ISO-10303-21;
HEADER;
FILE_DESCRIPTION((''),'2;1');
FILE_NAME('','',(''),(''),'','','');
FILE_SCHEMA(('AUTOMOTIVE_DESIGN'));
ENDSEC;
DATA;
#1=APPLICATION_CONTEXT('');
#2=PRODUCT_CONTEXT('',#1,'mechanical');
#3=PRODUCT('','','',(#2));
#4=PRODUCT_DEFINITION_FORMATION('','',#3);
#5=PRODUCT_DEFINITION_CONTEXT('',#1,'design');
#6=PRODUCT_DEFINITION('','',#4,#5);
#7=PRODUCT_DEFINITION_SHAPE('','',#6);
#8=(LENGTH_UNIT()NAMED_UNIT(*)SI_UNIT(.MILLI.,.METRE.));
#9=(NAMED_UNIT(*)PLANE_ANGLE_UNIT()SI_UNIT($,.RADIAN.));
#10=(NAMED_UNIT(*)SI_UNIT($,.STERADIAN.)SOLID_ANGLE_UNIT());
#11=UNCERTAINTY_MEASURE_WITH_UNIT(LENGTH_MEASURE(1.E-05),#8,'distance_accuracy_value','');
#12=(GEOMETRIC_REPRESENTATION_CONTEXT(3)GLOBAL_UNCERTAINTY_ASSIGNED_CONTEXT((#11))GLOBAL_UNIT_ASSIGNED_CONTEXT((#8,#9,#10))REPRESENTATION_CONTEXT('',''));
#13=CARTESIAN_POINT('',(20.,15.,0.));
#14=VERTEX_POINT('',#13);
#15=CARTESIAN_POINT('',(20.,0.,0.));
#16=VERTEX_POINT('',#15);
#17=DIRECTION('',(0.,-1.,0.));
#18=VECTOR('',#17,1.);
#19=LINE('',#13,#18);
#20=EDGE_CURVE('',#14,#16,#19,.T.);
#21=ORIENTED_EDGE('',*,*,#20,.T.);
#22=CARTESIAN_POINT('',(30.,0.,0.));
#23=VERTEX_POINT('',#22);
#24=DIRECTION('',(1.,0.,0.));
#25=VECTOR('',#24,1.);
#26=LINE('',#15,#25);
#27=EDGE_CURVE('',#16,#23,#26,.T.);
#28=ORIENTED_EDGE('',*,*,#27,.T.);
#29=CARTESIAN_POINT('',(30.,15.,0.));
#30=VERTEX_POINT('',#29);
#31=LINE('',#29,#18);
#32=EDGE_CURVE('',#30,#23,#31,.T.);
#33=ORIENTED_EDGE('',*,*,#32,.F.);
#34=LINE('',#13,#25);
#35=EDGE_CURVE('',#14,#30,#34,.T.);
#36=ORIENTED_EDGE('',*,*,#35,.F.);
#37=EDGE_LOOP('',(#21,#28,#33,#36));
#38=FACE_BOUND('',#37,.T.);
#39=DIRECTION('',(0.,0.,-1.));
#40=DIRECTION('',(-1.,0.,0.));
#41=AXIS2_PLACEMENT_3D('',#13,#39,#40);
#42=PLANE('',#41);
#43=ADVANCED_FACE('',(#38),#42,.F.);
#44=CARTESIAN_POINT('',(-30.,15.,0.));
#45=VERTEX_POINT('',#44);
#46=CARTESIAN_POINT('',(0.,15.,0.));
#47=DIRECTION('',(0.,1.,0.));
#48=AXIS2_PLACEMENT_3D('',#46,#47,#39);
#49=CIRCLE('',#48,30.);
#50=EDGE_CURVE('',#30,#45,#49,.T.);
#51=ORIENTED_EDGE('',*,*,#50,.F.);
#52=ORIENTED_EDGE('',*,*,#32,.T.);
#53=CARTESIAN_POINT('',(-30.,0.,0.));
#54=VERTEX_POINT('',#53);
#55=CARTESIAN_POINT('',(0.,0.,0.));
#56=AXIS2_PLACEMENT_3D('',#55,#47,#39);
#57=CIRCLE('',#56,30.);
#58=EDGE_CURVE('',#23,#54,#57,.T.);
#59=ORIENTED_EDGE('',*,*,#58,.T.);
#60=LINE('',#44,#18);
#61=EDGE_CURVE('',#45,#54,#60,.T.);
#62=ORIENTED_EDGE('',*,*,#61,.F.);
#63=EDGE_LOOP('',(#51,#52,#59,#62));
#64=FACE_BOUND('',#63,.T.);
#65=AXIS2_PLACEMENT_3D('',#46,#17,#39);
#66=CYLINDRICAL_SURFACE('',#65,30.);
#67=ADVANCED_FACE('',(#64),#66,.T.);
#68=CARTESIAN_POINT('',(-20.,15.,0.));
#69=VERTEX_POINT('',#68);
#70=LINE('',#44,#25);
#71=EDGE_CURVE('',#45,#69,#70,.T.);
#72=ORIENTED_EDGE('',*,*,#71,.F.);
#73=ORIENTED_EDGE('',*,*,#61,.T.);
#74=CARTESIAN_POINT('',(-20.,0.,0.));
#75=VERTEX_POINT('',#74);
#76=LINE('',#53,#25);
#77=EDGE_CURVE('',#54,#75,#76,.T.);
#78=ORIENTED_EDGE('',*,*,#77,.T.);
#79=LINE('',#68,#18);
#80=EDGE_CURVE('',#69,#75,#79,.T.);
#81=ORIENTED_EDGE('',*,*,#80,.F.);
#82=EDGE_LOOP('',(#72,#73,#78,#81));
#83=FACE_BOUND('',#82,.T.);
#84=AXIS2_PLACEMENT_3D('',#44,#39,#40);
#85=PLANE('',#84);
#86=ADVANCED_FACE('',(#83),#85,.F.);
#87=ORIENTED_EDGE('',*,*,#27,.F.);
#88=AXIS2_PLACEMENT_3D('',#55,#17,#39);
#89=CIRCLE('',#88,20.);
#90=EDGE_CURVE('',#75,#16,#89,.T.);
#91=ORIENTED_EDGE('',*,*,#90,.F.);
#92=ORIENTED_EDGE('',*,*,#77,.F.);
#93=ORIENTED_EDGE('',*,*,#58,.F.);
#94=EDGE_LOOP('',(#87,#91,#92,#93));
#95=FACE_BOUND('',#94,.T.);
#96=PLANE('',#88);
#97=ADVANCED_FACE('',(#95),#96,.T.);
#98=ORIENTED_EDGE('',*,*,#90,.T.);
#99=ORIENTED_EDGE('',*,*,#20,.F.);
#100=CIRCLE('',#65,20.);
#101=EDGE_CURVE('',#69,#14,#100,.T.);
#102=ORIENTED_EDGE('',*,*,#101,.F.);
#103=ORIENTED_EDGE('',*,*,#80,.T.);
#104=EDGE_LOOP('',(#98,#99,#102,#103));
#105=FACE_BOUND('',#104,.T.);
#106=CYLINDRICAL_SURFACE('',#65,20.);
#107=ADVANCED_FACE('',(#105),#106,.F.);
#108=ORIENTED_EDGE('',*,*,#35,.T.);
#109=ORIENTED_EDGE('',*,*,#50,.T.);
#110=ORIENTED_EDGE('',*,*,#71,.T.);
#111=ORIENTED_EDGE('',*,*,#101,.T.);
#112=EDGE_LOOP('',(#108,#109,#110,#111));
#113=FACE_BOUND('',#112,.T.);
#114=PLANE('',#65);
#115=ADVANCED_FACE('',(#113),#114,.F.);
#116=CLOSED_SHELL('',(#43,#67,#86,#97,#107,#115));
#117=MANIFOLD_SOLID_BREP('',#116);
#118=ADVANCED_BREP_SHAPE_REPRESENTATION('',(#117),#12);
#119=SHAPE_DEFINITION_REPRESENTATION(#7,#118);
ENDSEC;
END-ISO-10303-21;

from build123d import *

# Parameters (mm, degrees)
BOSS_EXTRUDE1_DEPTH = 15


with BuildPart() as part:
    # Sketch1 → Boss-Extrude1 (new body)
    with BuildSketch(Plane(origin=(0, 0, 0), x_dir=(1, 0, 0), z_dir=(0, 1, 0))):
        with BuildLine():
            Line((-30, 0), (-20, 0))
            ThreePointArc((-20, 0), (0, 20), (20, 0))
            Line((20, 0), (30, 0))
            ThreePointArc((30, 0), (0, 30), (-30, 0))
        make_face()
    extrude(amount=BOSS_EXTRUDE1_DEPTH)


solid = part.part
